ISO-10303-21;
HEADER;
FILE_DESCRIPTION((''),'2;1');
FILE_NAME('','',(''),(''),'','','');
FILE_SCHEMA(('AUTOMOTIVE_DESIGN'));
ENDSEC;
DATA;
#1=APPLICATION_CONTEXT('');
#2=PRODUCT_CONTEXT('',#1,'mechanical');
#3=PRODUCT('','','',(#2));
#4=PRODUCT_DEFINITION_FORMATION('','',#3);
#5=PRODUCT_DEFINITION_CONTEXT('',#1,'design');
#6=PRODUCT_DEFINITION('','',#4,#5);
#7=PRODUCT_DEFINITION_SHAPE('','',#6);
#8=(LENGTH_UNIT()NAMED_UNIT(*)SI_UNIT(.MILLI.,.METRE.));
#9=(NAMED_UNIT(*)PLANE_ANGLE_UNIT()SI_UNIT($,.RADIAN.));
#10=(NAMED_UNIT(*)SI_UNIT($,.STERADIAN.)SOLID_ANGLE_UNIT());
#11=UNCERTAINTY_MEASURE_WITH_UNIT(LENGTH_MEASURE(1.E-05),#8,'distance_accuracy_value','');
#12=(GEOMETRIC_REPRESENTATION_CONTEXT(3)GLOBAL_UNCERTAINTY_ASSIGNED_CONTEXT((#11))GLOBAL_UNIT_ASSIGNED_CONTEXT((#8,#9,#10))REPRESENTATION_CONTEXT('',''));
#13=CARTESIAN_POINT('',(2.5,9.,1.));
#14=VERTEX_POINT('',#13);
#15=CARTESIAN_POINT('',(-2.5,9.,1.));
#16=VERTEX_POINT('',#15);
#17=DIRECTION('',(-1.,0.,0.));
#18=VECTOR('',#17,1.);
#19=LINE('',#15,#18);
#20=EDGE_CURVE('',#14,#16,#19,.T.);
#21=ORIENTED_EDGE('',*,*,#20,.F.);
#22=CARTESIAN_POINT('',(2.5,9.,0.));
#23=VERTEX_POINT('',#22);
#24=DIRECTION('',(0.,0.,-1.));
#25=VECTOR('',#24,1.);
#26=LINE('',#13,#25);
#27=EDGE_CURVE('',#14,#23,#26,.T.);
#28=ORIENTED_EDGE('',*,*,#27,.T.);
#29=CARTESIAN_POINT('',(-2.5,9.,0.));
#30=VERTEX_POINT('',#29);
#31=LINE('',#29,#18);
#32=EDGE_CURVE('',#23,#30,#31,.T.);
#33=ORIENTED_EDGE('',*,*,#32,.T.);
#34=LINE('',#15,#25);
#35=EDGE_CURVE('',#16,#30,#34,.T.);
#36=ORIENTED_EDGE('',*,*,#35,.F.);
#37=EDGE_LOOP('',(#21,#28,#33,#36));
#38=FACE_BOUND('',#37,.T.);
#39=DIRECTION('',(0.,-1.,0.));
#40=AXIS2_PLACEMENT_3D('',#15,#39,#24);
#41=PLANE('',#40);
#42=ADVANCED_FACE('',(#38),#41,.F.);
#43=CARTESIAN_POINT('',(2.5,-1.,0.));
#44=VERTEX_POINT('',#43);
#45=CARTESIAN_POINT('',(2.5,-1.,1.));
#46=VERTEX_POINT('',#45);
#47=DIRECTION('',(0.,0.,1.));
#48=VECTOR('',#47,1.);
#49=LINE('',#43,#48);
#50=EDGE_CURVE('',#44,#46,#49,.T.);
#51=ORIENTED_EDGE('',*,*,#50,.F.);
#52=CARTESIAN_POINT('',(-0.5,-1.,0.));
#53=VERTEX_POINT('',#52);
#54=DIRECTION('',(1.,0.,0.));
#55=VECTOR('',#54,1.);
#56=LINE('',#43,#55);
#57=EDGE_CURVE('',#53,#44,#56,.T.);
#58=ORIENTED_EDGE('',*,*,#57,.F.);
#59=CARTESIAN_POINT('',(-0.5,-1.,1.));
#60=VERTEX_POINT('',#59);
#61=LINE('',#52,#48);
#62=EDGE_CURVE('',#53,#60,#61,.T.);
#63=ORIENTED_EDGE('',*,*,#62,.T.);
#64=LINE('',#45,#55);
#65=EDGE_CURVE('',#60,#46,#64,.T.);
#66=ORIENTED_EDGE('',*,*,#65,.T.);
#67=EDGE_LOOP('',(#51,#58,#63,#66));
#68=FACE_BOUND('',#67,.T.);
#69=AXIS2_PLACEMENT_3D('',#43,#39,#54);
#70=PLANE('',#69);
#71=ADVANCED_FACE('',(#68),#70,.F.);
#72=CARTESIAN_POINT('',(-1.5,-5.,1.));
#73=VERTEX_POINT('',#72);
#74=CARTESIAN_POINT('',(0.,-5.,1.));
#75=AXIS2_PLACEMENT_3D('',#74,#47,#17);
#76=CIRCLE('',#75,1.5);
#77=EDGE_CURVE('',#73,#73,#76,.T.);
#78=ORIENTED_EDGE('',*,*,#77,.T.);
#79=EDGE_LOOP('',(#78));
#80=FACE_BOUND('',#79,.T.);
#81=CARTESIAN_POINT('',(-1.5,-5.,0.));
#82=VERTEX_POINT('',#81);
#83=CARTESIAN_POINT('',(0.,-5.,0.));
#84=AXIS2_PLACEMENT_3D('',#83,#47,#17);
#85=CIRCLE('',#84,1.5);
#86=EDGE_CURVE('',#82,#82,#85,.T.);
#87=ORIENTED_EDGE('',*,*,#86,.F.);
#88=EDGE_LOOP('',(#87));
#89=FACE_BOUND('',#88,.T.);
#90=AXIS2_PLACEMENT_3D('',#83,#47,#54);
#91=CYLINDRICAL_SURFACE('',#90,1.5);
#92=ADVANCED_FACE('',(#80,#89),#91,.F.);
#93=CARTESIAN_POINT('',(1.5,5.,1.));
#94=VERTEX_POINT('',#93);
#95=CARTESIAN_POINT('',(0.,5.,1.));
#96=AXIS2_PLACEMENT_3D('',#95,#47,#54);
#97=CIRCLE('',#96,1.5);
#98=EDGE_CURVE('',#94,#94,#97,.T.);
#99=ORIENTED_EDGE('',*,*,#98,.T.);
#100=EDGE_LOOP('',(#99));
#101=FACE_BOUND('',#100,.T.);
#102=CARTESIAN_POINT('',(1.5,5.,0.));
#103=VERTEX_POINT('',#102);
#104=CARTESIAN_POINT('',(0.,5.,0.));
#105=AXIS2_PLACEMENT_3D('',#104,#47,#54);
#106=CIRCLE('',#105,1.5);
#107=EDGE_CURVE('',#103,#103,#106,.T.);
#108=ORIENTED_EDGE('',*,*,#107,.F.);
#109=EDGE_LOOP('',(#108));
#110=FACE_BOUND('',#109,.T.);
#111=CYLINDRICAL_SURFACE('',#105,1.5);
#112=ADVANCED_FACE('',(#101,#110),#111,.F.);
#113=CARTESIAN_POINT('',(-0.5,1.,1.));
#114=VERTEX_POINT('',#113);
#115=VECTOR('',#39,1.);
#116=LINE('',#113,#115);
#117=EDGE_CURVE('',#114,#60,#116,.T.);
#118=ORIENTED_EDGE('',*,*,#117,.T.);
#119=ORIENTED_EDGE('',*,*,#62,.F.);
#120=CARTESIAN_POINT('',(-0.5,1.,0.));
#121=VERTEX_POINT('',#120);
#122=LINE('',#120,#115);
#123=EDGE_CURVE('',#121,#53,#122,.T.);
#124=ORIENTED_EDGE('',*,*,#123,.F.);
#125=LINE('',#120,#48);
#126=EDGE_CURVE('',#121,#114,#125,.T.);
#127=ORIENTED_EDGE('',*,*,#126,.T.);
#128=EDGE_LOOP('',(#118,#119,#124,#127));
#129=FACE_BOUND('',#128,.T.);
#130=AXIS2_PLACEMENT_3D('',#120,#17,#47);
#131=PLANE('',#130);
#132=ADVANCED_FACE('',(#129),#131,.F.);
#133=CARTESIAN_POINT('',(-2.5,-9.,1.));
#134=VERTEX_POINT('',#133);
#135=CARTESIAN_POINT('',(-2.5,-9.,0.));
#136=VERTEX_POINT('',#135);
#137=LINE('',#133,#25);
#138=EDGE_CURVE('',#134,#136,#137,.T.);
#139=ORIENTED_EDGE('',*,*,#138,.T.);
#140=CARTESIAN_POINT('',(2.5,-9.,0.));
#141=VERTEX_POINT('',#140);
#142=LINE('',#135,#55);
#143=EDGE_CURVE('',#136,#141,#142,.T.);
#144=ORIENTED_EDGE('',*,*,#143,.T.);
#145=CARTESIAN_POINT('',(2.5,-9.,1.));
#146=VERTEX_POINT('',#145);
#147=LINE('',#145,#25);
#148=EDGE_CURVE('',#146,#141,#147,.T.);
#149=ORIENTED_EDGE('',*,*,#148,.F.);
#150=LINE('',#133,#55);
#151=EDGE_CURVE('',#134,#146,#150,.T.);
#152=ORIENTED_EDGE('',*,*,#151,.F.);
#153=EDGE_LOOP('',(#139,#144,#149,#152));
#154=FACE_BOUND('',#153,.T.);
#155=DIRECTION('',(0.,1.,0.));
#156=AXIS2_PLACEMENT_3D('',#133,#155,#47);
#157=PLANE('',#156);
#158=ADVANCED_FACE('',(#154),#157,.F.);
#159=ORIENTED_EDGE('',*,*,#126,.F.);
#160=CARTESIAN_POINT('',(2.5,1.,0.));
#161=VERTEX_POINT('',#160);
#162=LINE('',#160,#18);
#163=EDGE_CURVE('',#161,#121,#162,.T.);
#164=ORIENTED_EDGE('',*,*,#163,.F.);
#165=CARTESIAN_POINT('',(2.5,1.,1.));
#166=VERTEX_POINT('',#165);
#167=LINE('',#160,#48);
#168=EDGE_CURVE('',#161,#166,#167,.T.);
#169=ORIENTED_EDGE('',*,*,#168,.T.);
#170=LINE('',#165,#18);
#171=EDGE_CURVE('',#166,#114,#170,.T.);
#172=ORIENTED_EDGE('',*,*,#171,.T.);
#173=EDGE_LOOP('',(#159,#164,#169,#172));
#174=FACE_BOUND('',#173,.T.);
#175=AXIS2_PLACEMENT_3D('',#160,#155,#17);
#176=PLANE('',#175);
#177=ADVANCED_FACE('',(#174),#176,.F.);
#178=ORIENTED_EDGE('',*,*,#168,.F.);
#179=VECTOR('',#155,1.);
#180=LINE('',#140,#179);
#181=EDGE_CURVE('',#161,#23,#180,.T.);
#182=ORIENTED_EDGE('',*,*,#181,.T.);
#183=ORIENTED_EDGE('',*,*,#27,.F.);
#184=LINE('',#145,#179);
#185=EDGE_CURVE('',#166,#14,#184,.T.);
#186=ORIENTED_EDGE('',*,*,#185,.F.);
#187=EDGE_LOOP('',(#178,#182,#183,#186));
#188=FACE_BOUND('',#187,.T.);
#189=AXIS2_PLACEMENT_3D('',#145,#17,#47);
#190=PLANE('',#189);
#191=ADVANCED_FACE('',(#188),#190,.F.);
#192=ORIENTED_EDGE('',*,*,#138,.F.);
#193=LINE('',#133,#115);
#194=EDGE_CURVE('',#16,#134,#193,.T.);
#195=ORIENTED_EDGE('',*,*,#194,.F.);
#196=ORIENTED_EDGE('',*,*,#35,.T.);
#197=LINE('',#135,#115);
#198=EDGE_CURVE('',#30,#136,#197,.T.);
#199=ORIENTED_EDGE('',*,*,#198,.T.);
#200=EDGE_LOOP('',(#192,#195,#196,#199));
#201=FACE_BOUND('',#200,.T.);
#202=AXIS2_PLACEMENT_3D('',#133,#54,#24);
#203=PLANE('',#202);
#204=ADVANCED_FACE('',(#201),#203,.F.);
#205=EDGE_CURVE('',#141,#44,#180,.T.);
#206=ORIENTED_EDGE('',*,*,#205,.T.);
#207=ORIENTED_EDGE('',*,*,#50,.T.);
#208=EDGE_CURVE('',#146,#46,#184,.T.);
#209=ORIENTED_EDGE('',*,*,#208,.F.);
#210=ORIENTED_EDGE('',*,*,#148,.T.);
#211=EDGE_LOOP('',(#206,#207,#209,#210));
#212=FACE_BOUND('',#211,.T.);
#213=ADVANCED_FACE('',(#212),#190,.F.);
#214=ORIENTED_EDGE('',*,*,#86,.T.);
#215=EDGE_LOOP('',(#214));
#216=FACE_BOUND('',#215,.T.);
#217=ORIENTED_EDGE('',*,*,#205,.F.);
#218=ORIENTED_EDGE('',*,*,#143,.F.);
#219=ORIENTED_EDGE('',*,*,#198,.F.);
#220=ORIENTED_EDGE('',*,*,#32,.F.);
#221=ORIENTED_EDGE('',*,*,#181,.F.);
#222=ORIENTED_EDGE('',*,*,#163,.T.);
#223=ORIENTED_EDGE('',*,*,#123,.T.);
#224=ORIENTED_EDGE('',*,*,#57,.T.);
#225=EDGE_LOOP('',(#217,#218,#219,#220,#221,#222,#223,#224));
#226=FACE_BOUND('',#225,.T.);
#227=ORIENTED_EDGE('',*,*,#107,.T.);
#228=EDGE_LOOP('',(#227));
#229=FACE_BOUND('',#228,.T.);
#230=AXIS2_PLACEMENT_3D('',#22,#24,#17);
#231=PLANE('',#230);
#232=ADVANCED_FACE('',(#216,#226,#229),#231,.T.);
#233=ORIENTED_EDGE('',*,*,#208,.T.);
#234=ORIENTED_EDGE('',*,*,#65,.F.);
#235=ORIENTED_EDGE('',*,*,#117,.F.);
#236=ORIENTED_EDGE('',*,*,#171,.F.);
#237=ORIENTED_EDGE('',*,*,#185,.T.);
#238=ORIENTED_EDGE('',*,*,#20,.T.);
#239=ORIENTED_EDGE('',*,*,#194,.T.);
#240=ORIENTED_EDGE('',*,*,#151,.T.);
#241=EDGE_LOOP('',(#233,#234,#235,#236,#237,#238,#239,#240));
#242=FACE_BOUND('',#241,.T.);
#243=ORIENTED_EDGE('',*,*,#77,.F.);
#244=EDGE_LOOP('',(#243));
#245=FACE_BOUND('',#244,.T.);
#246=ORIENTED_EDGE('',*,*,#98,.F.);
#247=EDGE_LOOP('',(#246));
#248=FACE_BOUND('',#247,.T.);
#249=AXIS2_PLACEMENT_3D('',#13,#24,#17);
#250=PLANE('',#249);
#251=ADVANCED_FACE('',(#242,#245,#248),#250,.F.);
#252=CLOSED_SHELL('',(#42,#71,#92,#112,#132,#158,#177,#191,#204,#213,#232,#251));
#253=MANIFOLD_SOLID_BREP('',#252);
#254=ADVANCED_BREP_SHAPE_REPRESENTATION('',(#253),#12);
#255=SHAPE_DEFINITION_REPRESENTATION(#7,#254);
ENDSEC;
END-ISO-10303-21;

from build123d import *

# Parameters (mm, degrees)
SKETCH1_W           = 5
SKETCH1_H           = 18
BOSS_EXTRUDE1_DEPTH = 1
SKETCH2_R           = 1.5
SKETCH2_W           = 3
SKETCH2_H           = 2
CUT_EXTRUDE1_DEPTH  = 10.394147114


with BuildPart() as part:
    # Sketch1 → Boss-Extrude1 (new body)
    with BuildSketch(Plane.XY):
        Rectangle(SKETCH1_W, SKETCH1_H)
    extrude(amount=BOSS_EXTRUDE1_DEPTH)

    # Sketch2 → Cut-Extrude1 (cut, through all)
    with BuildSketch(Plane.XY.offset(1)):
        with Locations((0, 5)):
            Circle(SKETCH2_R)
        with Locations(Location((0, -5, 0), (0, 0, 180))):
            Circle(SKETCH2_R)
        with Locations((1, 0)):
            Rectangle(SKETCH2_W, SKETCH2_H)
    extrude(amount=-CUT_EXTRUDE1_DEPTH, mode=Mode.SUBTRACT)


solid = part.part
